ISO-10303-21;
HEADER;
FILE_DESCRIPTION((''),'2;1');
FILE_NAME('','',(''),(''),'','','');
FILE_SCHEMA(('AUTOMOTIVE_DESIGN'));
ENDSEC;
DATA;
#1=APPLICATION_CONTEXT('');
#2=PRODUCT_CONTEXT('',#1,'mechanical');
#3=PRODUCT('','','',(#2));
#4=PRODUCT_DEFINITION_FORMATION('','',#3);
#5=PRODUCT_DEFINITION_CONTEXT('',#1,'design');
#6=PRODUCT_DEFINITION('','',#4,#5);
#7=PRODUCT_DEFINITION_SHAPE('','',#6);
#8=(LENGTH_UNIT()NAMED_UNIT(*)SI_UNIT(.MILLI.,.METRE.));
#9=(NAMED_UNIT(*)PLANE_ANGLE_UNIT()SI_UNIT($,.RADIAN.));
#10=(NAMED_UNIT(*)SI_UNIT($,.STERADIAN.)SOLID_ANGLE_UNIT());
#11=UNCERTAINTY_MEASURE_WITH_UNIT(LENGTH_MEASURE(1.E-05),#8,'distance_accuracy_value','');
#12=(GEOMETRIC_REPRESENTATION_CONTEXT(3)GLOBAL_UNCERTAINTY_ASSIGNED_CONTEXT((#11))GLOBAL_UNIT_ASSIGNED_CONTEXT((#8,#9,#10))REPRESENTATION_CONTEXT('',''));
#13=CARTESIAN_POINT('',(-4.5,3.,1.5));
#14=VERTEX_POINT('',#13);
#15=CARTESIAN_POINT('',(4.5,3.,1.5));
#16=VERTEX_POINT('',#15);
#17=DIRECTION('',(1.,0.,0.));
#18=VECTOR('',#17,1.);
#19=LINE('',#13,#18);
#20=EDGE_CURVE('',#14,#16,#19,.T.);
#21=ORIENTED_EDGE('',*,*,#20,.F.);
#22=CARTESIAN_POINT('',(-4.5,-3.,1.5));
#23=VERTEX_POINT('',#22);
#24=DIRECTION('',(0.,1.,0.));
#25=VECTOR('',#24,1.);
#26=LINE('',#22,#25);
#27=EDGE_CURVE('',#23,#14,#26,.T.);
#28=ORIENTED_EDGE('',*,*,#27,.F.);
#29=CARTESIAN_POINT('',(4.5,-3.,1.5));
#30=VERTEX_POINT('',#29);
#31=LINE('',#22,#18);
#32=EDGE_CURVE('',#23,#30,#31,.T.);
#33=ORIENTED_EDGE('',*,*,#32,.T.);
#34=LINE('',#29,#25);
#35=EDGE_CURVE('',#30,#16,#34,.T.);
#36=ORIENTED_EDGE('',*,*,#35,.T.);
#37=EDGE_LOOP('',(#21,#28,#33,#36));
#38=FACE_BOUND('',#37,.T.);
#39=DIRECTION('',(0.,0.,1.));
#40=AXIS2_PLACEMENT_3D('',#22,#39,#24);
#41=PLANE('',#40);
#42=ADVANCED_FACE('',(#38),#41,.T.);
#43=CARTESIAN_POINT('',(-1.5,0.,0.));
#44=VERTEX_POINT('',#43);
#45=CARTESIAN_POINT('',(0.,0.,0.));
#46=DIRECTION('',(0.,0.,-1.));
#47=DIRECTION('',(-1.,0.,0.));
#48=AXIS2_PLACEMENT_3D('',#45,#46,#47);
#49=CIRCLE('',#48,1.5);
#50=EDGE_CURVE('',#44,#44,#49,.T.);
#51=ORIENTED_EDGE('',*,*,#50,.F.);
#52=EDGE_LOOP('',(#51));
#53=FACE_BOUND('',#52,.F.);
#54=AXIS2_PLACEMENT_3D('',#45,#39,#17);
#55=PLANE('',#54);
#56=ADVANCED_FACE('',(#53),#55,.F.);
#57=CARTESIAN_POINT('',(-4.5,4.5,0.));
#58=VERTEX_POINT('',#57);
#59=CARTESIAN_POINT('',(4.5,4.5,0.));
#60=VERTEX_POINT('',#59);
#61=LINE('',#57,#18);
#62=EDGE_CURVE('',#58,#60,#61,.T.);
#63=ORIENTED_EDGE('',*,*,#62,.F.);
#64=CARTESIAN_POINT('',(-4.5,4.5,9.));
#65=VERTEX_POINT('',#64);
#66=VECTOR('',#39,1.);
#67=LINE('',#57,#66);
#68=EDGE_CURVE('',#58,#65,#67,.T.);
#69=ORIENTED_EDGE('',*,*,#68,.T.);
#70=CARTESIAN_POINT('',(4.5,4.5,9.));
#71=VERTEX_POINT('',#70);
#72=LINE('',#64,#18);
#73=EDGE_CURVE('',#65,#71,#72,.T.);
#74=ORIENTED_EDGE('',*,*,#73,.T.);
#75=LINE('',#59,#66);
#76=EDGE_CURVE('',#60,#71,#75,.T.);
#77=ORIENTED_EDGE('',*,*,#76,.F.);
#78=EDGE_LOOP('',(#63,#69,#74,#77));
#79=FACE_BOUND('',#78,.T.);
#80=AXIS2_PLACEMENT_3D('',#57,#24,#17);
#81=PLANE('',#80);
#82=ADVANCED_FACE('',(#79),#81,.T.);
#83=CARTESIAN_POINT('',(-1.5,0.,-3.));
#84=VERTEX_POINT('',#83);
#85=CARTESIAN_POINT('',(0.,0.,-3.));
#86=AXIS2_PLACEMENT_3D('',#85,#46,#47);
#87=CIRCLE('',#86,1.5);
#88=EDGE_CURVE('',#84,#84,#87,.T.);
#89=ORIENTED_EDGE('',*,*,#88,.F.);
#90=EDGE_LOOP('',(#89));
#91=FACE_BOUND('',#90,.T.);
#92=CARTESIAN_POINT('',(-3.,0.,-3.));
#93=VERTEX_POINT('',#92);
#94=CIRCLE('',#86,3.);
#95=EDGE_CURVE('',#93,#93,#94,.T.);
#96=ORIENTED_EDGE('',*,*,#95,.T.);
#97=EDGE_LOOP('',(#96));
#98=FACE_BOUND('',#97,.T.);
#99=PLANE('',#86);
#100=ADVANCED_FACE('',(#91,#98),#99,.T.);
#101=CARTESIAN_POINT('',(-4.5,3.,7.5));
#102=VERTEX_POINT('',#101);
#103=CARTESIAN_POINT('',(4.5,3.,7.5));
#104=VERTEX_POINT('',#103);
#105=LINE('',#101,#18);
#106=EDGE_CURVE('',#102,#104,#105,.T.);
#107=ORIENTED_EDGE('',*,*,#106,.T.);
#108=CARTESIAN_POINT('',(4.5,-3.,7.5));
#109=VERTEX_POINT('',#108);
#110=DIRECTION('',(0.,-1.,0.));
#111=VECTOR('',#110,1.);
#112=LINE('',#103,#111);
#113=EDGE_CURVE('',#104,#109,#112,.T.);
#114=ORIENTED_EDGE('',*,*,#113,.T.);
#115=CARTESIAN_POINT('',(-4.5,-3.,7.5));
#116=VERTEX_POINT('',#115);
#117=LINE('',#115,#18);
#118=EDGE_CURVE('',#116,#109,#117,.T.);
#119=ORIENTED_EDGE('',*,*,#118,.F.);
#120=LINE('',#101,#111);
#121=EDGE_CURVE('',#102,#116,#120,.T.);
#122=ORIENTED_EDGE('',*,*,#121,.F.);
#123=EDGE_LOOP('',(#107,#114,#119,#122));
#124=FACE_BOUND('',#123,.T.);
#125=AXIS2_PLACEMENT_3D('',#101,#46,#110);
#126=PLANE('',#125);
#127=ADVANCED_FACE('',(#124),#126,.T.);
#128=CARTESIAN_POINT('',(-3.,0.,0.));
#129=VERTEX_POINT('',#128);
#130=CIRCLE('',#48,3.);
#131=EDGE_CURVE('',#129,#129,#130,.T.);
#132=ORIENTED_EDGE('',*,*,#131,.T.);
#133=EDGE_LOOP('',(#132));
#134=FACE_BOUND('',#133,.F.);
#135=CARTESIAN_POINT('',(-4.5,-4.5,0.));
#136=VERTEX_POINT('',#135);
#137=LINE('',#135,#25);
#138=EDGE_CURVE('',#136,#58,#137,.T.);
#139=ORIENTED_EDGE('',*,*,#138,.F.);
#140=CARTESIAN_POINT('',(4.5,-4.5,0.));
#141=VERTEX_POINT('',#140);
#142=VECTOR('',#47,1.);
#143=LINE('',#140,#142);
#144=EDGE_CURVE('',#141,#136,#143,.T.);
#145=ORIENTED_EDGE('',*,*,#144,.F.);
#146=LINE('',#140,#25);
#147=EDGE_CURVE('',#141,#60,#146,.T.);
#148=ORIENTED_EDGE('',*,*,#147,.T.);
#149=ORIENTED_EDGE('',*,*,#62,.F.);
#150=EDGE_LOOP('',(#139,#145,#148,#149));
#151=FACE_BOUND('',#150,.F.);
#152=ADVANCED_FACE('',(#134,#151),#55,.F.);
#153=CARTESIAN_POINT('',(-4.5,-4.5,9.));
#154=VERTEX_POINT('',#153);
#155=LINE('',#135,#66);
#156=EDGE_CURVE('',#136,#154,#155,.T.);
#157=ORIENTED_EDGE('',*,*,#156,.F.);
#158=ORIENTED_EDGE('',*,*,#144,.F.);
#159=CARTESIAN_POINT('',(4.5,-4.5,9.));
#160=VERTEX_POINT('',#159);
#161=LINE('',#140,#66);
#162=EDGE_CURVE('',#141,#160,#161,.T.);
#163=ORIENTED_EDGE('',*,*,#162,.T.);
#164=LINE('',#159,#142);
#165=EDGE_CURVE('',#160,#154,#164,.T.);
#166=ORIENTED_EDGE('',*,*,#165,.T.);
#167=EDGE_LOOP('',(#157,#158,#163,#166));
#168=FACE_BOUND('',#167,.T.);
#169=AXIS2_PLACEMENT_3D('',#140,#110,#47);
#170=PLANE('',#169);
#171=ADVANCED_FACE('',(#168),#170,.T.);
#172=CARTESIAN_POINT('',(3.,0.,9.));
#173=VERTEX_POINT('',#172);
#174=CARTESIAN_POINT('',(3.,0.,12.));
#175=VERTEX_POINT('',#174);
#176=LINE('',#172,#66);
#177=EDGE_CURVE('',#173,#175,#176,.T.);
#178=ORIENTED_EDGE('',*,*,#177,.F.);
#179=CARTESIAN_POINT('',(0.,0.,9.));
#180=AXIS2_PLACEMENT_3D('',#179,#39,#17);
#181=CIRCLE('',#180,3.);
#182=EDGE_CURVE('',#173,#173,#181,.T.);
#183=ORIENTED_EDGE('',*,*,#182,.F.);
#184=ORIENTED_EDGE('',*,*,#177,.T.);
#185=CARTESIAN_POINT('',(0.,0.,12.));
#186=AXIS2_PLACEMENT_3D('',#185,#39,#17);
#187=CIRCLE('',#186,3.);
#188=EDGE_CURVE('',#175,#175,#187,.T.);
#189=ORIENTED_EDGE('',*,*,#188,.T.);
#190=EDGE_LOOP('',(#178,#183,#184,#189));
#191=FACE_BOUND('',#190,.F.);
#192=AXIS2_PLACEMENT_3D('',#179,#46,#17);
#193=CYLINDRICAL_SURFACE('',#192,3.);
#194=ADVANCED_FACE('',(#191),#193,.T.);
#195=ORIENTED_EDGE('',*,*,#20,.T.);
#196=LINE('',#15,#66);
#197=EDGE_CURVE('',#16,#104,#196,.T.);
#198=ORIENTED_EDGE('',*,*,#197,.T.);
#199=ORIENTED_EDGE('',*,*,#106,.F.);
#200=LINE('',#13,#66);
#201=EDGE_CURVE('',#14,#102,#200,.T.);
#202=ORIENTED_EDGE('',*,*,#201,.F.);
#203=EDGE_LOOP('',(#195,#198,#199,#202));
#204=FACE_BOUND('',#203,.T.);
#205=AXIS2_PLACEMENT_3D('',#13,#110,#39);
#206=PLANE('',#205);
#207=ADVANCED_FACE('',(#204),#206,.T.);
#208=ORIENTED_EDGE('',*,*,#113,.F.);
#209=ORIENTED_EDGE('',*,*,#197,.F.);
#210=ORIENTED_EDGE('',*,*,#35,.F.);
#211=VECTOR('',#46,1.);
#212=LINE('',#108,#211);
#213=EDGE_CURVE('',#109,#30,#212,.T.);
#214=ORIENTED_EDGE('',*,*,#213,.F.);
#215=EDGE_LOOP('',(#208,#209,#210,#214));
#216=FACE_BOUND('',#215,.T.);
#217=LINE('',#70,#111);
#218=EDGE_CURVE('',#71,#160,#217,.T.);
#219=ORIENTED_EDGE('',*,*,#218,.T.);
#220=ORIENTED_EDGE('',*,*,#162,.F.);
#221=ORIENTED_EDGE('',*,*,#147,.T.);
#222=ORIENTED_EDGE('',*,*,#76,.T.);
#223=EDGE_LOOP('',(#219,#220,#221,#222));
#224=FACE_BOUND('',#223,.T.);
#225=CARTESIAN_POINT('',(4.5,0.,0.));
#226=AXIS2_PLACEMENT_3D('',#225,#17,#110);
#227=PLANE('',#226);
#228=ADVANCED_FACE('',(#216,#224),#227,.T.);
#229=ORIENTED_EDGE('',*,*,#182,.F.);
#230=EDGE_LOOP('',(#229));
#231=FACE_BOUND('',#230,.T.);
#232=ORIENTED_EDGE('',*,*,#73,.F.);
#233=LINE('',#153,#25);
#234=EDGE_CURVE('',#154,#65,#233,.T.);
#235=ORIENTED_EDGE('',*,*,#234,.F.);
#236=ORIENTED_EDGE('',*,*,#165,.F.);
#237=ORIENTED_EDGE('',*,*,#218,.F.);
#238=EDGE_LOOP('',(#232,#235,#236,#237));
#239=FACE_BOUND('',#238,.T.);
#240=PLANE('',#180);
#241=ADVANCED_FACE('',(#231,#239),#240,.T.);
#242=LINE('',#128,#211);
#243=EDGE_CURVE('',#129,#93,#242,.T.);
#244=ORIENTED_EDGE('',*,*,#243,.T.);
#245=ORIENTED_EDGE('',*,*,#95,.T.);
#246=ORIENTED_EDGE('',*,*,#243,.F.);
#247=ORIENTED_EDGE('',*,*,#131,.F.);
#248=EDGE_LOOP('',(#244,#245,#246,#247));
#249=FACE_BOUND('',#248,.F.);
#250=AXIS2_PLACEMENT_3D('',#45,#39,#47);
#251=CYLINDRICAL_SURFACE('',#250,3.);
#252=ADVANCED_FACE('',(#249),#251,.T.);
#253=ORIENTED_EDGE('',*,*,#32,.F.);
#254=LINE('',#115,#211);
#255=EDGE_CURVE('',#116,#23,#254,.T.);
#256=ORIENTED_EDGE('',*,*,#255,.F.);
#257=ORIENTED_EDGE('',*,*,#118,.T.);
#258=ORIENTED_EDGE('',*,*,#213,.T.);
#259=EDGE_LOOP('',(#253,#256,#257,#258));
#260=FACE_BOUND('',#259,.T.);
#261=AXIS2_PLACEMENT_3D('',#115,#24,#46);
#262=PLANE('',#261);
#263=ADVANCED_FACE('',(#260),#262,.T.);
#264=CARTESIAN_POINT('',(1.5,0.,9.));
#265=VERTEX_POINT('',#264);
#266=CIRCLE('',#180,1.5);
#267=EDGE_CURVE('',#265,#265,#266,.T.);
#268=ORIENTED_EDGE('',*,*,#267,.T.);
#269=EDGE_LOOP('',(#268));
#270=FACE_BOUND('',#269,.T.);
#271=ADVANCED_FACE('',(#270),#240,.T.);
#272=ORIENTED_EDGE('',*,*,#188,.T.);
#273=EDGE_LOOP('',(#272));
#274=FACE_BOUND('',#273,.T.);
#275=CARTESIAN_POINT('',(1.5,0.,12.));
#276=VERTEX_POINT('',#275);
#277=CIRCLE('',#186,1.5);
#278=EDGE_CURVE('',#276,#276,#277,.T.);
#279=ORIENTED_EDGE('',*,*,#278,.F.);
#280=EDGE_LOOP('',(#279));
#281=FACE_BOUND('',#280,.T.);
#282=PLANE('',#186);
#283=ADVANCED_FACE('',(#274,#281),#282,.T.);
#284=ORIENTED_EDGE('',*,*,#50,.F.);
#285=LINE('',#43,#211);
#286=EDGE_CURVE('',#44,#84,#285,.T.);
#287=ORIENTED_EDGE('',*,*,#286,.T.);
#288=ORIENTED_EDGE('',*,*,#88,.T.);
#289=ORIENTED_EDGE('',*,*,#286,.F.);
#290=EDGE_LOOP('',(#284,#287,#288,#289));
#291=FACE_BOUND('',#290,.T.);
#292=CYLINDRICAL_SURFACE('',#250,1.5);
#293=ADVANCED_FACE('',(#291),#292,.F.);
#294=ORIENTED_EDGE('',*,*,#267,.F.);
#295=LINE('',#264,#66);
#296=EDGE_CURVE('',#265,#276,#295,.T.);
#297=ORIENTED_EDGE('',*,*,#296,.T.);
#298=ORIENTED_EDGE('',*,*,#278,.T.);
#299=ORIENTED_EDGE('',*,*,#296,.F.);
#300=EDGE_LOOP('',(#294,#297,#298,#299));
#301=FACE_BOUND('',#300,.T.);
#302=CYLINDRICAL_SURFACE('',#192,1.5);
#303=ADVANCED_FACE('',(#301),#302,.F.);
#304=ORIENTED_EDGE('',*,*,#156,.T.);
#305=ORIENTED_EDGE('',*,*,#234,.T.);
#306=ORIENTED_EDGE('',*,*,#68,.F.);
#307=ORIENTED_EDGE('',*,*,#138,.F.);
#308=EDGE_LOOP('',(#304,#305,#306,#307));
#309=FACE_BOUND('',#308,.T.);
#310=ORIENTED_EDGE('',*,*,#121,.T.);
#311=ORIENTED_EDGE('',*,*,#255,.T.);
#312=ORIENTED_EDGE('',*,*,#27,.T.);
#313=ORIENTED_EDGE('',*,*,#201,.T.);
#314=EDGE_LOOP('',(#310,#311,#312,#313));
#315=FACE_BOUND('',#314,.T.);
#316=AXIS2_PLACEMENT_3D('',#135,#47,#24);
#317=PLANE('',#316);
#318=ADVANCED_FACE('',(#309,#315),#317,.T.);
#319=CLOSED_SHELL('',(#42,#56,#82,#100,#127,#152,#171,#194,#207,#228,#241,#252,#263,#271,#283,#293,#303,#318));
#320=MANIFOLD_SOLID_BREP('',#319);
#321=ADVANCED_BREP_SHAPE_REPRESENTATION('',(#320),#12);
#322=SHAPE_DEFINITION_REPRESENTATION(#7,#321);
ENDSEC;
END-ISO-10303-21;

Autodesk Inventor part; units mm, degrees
ref_plane "YZ Plane" through (0, 0, 0) normal (1, 0, 0) x (0, 1, 0)
ref_plane "XZ Plane" through (0, 0, 0) normal (0, 1, 0) x (-1, 0, 0)
ref_plane "XY Plane" through (0, 0, 0) normal (0, 0, 1) x (1, 0, 0)
sketch "Náčrt1" plane through (0, 0, 0) normal (0, 0, 1) x (1, 0, 0)
  line L0 (4.5, 0) -> (4.5, -4.5)
  line L1 (4.5, -4.5) -> (-4.5, -4.5)
  line L2 (-4.5, -4.5) -> (-4.5, 4.5)
  line L3 (-4.5, 4.5) -> (4.5, 4.5)
  line L4 (4.5, 4.5) -> (4.5, -4.5)
  circle A0 centre (0, 0) radius 3
  circle A1 centre (0, 0) radius 1.5
  dimension "d1" = 4.5
  dimension "d2" = 9
  dimension "d3" = 9
  dimension "d4" = 9
  dimension "d5" = 6
  dimension "d6" = 3
extrude "Vysunutí1" add sketch "Náčrt1" along normal blind 9 contours L0 L1 L2 L3 L4 | A0 | A1
sketch "Náčrt2" plane through (0, 0, 9) normal (0, 0, 1) x (1, 0, 0)
  circle A0 centre (0, 0) radius 3
  circle A1 centre (0, 0) radius 1.5
  dimension "d9" = 6
  dimension "d10" = 3
extrude "Vysunutí2" add sketch "Náčrt2" along normal blind 3
sketch "Náčrt3" plane through (0, 0, 0) normal (0, 0, -1) x (-1, 0, 0)
  circle A0 centre (0, 0) radius 3
  circle A1 centre (0, 0) radius 1.5
  dimension "d13" = 6
  dimension "d14" = 3
extrude "Vysunutí3" add sketch "Náčrt3" along normal blind 3
sketch "Náčrt4" plane through (-4.5, -4.5, 0) normal (-1, 0, 0) x (0, 0, 1)
  line L0 (0, 9) -> (0, 0) projected
  line L1 (0, 0) -> (9, 0) projected
  line L2 (1.5, 0) -> (1.5, 1.5)
  line L3 (1.5, 1.5) -> (1.5, 7.5)
  line L4 (1.5, 7.5) -> (7.5, 7.5)
  line L5 (7.5, 7.5) -> (7.5, 1.5)
  line L6 (7.5, 1.5) -> (1.5, 1.5)
  point P0 (0, 4.5)
  dimension "d18" = 1.5
  dimension "d19" = 6
  dimension "d20" = 6
  dimension "d21" = 6
extrude "Vysunutí4" cut sketch "Náčrt4" against normal blind 9
properties part number "Osa_rameno _1"
